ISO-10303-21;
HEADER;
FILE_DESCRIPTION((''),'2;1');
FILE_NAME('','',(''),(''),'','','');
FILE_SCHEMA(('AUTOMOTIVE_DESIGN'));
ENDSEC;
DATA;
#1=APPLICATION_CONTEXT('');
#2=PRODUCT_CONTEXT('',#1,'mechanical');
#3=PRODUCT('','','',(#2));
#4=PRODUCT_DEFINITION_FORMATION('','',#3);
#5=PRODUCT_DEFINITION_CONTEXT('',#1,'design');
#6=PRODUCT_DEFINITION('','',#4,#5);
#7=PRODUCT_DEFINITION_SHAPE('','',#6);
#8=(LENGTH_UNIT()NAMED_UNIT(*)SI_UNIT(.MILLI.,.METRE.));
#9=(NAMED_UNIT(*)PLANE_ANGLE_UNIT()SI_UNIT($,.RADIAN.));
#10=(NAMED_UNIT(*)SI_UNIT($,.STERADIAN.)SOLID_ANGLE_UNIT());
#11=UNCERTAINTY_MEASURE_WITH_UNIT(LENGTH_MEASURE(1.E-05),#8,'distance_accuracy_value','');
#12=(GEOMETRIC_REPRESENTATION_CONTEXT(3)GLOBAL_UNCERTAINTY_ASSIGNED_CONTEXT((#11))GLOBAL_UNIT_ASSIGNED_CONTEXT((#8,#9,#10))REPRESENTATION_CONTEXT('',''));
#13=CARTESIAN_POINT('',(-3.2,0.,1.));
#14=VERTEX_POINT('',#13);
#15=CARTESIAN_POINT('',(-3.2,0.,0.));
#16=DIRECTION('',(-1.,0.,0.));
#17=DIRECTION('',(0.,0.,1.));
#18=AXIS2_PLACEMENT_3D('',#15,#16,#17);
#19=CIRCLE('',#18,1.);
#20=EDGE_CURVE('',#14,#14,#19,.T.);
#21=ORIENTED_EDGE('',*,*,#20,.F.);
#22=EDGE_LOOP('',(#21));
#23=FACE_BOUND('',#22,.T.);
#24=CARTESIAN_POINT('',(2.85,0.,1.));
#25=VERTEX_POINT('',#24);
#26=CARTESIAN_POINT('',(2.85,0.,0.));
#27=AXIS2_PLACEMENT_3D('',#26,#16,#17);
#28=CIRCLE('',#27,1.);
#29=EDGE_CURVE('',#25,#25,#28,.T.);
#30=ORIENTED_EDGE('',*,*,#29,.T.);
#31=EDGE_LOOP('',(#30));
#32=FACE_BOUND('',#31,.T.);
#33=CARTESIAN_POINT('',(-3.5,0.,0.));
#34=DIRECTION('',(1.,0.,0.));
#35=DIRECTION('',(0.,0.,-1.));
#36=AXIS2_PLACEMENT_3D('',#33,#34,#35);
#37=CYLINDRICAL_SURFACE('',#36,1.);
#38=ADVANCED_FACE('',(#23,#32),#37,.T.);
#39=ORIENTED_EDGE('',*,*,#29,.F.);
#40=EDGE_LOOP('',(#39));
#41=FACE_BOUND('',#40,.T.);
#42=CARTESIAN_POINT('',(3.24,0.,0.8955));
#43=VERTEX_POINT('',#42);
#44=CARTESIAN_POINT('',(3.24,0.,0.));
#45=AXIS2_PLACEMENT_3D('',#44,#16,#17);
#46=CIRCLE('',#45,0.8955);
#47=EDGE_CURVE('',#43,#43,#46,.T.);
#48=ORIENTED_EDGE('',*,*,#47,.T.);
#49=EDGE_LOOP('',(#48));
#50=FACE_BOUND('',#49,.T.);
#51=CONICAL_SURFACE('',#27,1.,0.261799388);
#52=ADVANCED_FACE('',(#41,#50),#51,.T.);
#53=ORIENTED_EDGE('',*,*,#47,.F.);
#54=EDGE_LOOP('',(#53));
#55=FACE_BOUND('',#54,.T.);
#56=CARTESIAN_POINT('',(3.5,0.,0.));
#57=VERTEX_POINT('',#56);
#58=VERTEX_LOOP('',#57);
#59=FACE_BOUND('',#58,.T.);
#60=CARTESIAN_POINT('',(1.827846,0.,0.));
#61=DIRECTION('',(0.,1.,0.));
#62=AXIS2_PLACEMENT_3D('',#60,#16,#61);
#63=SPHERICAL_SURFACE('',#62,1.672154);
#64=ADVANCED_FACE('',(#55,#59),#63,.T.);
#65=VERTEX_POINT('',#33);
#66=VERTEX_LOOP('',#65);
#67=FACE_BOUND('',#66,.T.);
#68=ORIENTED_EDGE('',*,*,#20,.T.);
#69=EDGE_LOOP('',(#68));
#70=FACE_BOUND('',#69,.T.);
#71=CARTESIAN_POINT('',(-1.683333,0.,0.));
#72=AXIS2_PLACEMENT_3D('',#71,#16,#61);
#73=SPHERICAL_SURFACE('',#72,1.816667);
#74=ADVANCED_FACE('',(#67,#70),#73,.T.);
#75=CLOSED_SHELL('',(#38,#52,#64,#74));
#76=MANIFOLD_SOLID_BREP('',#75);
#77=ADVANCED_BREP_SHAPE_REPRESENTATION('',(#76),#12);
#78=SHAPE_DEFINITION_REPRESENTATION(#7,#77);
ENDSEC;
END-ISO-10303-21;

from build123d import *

# Parameters (mm, degrees)
EXTRUDE1_DEPTH      = 3.5
EXTRUDE1_DEPTH_BACK = 3.5
SKETCH2_R           = 1


with BuildPart() as part:
    # Sketch2 → Extrude1 (new, two sides: drawn at the far end of the back side and taken through both)
    with BuildSketch(Plane(origin=(0, 0, 0), x_dir=(0, 0, -1), z_dir=(1, 0, 0)).offset(-EXTRUDE1_DEPTH_BACK)):
        Circle(SKETCH2_R)
    extrude(amount=EXTRUDE1_DEPTH + EXTRUDE1_DEPTH_BACK)

    # Sketch5 → Cut-Revolve1 (revolve, cut)
    with BuildSketch(Plane.XY, mode=Mode.PRIVATE) as cut_revolve1_sk:
        with BuildLine():
            Line((2.85, 1), (2.85, 1.5))
            Line((2.85, 1.5), (4, 1.5))
            Line((4, 1.5), (4, 0))
            Line((4, 0), (3.5, 0))
            ThreePointArc((3.5, 0), (3.433685026, 0.46624026), (3.24, 0.895499815))
            Line((3.24, 0.895499815), (2.85, 1))
        make_face()
        with BuildLine():
            Line((-3.2, 1), (-3.2, 1.5))
            Line((-3.2, 1.5), (-4, 1.5))
            Line((-4, 1.5), (-4, 0))
            Line((-4, 0), (-3.5, 0))
            ThreePointArc((-3.5, 0), (-3.423384418, 0.522015325), (-3.2, 1))
        make_face()
    revolve(cut_revolve1_sk.sketch.rotate(Axis((-3.5, 0, 0), (1, 0, 0)), 90), axis=Axis((-3.5, 0, 0), (1, 0, 0)), mode=Mode.SUBTRACT)


solid = part.part
